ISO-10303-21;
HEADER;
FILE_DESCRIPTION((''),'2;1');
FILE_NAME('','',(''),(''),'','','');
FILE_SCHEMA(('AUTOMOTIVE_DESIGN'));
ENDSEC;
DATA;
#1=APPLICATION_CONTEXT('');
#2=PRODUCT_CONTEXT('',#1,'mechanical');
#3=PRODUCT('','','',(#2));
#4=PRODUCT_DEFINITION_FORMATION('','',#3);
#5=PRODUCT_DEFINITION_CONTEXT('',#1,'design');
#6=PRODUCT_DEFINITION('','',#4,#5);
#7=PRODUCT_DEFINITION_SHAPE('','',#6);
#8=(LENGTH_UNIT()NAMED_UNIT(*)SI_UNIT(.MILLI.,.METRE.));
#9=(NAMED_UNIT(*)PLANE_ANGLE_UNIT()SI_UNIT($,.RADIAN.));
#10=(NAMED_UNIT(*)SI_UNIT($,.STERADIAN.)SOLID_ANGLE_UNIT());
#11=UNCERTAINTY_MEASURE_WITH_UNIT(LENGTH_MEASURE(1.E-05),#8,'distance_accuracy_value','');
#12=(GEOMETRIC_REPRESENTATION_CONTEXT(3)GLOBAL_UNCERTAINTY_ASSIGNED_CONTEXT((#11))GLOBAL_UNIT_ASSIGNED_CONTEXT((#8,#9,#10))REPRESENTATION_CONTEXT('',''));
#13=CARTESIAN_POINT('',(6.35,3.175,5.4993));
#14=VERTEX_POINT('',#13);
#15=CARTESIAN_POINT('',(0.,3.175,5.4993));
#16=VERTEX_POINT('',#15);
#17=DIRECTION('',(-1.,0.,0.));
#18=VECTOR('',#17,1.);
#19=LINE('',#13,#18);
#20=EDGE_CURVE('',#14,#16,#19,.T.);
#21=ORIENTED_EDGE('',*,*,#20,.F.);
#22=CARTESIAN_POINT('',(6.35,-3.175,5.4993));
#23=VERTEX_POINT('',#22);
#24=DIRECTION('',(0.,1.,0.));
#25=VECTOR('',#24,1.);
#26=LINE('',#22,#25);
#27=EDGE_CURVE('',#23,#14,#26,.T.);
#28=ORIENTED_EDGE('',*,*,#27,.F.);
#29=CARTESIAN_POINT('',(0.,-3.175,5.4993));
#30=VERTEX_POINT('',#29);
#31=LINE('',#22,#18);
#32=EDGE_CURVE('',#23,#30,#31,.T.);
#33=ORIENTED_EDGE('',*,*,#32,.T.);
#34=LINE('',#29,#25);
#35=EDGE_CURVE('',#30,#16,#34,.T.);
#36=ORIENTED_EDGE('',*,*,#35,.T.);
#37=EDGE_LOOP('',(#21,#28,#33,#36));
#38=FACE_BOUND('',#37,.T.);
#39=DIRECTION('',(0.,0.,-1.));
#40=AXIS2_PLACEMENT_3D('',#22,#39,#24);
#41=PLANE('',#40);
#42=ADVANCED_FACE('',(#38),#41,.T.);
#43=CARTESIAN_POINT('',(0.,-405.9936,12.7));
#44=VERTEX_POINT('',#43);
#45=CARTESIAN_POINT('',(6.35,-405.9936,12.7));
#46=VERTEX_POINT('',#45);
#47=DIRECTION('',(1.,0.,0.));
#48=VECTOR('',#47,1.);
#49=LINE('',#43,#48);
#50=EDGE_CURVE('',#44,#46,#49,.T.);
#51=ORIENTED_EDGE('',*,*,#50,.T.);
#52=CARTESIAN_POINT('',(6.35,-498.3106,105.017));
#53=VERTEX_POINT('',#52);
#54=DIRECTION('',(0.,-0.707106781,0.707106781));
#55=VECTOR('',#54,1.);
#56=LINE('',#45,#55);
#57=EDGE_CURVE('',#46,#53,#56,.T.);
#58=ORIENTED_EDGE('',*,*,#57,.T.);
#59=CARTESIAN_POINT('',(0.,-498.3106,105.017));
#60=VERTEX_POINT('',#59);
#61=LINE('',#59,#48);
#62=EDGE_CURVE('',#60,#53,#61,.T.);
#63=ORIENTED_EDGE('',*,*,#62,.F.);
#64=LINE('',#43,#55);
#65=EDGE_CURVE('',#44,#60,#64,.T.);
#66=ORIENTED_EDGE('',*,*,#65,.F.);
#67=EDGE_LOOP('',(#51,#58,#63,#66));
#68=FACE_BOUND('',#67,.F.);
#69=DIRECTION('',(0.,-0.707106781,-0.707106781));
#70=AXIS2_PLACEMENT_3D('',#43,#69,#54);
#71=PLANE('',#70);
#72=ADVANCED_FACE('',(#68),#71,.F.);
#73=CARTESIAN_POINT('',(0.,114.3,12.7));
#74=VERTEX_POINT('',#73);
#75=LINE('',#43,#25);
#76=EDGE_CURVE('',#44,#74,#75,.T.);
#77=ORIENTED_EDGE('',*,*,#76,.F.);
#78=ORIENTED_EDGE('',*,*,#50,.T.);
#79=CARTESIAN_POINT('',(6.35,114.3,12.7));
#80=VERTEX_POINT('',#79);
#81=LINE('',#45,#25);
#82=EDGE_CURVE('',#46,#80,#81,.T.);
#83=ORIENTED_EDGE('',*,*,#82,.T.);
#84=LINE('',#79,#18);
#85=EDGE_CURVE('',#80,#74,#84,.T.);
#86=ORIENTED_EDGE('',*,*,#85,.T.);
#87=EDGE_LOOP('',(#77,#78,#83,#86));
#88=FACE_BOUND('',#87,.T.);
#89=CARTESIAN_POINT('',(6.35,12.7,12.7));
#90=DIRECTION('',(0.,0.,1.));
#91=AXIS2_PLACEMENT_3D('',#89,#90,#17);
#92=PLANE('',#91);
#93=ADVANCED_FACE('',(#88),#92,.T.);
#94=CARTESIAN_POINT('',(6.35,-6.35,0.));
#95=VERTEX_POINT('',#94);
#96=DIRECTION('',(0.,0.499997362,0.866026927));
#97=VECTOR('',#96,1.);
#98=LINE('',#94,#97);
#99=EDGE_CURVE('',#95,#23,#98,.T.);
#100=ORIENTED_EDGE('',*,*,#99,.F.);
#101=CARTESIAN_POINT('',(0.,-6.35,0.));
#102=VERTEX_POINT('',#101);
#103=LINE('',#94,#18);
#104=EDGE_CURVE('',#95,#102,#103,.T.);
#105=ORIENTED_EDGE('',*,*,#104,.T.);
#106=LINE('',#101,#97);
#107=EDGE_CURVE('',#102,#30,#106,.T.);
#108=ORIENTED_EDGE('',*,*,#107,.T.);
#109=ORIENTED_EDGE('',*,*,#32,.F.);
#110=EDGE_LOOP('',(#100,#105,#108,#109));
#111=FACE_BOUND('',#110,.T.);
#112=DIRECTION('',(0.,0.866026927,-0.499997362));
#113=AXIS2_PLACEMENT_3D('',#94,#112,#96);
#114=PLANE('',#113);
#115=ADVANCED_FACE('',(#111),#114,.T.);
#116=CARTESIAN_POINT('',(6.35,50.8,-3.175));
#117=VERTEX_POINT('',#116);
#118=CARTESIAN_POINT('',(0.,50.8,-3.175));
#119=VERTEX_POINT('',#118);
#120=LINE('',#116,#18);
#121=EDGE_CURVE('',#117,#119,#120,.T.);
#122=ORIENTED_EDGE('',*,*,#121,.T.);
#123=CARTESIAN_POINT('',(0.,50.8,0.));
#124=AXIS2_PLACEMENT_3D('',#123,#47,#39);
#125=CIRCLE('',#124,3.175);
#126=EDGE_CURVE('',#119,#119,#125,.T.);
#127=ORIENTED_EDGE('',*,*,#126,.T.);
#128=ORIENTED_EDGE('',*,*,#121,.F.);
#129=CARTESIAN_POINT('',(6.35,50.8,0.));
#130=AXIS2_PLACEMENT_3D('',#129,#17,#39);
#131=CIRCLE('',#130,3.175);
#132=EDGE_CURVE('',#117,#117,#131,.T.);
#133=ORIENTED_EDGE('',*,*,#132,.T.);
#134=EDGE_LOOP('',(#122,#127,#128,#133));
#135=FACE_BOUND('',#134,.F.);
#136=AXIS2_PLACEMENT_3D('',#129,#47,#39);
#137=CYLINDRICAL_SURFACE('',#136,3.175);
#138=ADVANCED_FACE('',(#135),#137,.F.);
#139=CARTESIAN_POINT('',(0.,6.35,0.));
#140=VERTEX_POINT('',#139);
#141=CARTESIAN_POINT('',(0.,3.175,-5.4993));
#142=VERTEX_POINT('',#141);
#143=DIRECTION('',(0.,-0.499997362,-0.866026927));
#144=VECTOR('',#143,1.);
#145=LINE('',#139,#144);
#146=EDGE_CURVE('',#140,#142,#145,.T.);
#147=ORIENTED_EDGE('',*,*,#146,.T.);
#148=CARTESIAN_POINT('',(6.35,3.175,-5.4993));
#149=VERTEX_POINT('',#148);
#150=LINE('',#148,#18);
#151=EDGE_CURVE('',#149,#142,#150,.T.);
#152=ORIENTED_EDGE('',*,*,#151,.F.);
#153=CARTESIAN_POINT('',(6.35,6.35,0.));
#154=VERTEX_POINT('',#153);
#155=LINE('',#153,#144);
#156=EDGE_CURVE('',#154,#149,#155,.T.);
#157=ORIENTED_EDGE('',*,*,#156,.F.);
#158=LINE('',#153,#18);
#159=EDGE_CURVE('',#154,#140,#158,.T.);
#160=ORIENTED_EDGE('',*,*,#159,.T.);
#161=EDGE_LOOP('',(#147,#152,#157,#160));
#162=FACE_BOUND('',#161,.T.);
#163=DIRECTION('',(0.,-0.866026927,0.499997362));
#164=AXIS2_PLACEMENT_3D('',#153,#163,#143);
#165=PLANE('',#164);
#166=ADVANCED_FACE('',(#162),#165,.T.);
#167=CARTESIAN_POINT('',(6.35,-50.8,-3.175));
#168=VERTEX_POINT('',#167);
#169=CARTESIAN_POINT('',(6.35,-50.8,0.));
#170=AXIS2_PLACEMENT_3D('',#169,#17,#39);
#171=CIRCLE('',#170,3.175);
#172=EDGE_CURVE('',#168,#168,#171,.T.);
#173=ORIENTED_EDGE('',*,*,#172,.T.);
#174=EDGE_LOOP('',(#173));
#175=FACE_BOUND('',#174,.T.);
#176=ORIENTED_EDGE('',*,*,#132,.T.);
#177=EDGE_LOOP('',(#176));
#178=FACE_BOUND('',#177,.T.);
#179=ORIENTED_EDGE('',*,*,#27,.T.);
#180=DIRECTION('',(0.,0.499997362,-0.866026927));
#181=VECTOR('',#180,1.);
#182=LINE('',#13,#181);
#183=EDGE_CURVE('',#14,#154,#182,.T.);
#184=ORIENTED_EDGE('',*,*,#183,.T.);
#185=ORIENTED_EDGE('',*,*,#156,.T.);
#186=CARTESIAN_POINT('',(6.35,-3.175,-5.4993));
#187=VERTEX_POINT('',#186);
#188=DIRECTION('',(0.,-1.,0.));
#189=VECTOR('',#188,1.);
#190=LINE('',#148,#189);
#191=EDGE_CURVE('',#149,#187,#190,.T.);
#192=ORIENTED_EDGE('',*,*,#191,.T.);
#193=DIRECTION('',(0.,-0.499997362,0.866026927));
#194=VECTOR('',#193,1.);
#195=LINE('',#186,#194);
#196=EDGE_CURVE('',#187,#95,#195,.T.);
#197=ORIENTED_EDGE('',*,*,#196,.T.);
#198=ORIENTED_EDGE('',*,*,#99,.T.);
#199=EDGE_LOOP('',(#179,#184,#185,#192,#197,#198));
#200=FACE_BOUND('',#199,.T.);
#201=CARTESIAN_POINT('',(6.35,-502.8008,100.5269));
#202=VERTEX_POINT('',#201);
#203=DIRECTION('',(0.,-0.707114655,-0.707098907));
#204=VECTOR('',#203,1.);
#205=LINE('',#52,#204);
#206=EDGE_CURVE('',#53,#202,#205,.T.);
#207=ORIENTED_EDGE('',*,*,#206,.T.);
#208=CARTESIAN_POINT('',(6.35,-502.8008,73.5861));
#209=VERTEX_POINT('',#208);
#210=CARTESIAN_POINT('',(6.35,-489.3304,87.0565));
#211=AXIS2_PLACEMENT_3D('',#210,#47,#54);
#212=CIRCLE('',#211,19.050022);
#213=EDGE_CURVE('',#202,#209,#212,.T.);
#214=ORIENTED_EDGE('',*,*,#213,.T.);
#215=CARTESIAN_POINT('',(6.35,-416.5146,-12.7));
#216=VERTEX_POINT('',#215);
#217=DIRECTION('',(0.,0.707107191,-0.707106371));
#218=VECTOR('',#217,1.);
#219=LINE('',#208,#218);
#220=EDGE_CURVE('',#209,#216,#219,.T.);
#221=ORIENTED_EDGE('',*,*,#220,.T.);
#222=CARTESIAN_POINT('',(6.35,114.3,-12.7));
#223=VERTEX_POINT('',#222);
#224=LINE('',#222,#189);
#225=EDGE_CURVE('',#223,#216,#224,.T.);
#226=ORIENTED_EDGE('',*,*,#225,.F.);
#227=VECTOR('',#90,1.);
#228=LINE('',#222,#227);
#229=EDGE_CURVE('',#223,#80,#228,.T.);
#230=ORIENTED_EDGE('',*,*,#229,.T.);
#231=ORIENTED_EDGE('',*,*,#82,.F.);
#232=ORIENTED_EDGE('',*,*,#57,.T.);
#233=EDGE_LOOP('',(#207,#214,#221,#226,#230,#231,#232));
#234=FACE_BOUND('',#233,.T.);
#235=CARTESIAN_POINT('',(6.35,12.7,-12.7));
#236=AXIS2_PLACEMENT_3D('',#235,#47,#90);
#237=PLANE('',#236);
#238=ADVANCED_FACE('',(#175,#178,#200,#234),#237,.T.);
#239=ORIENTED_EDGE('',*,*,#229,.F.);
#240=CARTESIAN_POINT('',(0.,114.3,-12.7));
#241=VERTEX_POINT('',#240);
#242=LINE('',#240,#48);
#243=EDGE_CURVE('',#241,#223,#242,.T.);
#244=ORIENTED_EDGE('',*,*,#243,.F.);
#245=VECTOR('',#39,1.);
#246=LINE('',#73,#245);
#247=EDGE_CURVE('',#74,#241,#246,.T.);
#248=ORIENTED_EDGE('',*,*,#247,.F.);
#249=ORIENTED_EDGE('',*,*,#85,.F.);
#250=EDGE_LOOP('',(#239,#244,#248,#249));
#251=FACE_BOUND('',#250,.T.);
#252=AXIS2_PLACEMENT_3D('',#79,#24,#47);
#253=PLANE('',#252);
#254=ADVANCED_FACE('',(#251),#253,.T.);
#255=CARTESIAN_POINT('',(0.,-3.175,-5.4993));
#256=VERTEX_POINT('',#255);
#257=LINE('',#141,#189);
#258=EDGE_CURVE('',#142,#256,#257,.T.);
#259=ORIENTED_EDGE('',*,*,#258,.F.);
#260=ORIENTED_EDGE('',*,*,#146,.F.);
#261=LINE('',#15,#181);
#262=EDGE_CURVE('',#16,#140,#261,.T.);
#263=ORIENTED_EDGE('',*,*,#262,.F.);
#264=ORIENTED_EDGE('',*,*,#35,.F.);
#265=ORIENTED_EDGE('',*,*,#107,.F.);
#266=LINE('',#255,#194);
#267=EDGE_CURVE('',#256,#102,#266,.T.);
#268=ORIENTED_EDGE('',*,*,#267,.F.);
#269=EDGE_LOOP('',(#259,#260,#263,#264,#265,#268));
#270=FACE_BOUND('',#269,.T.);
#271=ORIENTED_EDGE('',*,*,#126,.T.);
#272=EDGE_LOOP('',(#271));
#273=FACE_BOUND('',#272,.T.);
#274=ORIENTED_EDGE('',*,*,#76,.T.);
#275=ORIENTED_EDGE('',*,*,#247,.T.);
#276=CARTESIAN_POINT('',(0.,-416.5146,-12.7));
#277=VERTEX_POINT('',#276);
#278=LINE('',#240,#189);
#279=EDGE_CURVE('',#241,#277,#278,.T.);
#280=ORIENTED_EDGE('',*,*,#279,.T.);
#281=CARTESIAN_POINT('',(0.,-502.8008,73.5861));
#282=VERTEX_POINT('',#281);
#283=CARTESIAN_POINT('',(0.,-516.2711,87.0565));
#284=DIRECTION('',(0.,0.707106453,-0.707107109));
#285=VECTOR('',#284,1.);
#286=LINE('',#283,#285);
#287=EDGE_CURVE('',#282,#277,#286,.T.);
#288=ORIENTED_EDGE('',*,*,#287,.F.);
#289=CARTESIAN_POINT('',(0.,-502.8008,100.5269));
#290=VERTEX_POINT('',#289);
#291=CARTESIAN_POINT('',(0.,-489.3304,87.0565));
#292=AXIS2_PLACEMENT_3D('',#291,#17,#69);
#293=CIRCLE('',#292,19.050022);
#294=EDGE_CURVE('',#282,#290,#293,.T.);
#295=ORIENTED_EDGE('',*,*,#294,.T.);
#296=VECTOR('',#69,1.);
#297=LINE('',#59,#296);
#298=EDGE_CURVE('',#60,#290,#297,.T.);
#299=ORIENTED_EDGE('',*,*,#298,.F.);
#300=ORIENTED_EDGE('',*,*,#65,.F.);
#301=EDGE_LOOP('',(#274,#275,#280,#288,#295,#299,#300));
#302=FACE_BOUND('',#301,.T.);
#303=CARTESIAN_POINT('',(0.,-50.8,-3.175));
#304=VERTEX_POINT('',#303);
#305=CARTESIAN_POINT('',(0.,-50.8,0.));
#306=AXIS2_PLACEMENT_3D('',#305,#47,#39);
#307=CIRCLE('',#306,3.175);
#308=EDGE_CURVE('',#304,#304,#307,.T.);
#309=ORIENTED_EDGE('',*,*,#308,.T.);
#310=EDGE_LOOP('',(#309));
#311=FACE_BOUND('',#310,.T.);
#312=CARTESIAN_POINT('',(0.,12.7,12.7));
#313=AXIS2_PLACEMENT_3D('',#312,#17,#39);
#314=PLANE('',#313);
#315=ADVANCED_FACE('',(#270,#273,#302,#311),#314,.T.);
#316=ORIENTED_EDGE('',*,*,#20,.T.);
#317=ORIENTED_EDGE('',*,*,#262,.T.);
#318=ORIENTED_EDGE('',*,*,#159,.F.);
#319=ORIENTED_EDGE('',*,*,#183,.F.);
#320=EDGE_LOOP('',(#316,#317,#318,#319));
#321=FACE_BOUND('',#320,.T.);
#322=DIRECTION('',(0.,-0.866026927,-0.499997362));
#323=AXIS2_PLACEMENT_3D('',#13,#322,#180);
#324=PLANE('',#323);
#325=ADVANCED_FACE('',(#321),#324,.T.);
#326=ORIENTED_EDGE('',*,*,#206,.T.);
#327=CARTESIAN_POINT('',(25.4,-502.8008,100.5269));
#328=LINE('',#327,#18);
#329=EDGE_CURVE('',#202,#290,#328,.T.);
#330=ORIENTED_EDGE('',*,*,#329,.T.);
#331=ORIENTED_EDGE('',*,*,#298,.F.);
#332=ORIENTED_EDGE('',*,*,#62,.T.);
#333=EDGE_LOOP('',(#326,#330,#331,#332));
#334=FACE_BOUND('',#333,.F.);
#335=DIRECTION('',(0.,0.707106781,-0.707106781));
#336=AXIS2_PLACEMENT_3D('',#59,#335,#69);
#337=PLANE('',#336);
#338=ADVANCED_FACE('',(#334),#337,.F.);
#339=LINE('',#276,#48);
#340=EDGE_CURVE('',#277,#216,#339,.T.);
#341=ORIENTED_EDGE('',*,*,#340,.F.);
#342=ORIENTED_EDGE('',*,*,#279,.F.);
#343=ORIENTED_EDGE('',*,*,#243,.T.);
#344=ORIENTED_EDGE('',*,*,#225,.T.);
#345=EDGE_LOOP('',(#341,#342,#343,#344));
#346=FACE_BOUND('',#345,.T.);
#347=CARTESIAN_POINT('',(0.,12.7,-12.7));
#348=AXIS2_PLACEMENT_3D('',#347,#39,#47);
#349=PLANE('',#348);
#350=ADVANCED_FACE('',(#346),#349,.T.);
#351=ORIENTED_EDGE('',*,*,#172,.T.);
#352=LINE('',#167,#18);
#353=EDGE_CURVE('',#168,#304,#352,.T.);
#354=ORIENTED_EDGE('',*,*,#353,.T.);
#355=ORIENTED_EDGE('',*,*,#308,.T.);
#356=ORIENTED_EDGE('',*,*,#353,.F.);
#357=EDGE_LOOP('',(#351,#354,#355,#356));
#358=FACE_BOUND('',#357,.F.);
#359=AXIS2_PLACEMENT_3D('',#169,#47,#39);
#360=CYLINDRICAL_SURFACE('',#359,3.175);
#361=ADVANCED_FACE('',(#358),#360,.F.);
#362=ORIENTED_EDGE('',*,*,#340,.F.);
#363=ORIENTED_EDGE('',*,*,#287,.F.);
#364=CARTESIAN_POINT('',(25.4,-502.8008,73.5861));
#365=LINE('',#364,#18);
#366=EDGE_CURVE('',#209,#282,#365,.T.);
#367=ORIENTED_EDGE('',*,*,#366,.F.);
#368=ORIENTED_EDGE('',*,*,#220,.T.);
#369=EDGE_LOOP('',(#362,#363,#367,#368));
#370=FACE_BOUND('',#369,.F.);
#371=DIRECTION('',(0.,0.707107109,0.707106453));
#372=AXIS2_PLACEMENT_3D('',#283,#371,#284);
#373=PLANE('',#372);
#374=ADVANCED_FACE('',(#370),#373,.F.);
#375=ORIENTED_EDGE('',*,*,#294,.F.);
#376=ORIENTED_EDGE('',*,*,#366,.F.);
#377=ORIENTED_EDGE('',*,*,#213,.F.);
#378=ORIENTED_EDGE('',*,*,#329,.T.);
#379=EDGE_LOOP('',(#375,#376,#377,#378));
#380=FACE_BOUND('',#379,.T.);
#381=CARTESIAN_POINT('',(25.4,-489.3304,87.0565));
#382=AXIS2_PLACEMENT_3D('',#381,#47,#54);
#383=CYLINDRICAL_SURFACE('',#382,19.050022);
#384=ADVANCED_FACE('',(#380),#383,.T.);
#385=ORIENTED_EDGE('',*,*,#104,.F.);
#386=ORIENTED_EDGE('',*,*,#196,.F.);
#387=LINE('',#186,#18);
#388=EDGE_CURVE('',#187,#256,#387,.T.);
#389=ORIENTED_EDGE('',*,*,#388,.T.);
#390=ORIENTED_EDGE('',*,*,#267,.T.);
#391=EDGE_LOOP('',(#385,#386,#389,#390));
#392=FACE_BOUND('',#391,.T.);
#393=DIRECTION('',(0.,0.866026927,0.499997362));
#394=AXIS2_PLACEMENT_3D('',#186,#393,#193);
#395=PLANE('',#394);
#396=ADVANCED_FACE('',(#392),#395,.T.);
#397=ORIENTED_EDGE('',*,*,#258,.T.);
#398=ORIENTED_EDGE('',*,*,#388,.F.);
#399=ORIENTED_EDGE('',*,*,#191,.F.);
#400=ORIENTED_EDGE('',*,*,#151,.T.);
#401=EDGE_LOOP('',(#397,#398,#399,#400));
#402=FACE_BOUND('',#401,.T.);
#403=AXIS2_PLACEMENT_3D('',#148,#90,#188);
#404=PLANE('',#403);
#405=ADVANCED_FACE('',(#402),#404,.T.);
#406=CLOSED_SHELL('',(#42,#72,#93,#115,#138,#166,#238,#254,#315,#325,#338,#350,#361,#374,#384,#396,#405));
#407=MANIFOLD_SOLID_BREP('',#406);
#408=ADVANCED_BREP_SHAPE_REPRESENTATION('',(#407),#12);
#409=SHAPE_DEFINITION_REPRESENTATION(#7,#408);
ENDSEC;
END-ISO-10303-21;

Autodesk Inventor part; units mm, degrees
ref_plane "YZ Plane" through (0, 0, 0) normal (1, 0, 0) x (0, 1, 0)
ref_plane "XZ Plane" through (0, 0, 0) normal (0, 1, 0) x (-1, 0, 0)
ref_plane "XY Plane" through (0, 0, 0) normal (0, 0, 1) x (1, 0, 0)
sketch "Sketch1" plane through (0, 0, 0) normal (1, 0, 0) x (0, 1, 0)
  circle A0 centre (0, 0) radius 3.175
  line L0 (0, 0) -> (12.7, 0)
  line L1 (0, 0) -> (12.7, 0) construction
  line L2 (12.7, 0) -> (12.7, -12.7)
  line L3 (12.7, -12.7) -> (-405.9936, -12.7)
  line L4 (-405.9936, -12.7) -> (-405.9936, 12.7)
  line L5 (-405.9936, 12.7) -> (12.7, 12.7)
  line L6 (12.7, 12.7) -> (12.7, -12.7)
  line L7 (-405.9936, 12.7) -> (-498.3106, 105.017)
  line L8 (-405.9936, 12.7) -> (-275.4376, 12.7) construction
  line L9 (-498.3106, 105.017) -> (-516.2711, 87.0565)
  line L10 (-516.2711, 87.0565) -> (-408.5081, -20.7066)
  line L11 (-405.9936, -12.7) -> (-431.3936, -12.7)
  line L12 (-405.9936, -12.7) -> (-380.5936, -12.7) construction
  line L13 (-516.2711, 87.0565) -> (-416.5146, -12.7)
  line L14 (-416.5146, -12.7) -> (12.7, -12.7)
  dimension "d0" = 6.35
  dimension "d1" = 12.7
  dimension "d2" = 0
  dimension "d3" = 12.7
  dimension "d4" = 90
  dimension "d5" = 418.6936
  dimension "d6" = 25.4
  dimension "d7" = 130.556
  dimension "d8" = 135
  dimension "d9" = 25.4
  dimension "d10" = 90
  dimension "d11" = 152.4
  dimension "d12" = 90
  dimension "d13" = 25.4
  dimension "d14" = 180
extrude "Extrusion1" add sketch "Sketch1" along normal blind 25.4
sketch "Sketch2" plane through (25.4, 0, 0) normal (1, 0, 0) x (0, 0, -1)
  line L0 (-105.017, -498.3106) -> (-87.0565, -516.2711) projected
  line L1 (-87.0565, -516.2711) -> (12.7, -416.5146) projected
  line L2 (-12.7, 12.7) -> (-12.7, -405.9936) projected
  line L3 (-96.0368, -507.2909) -> (-78.0763, -507.2909)
  line L4 (-105.017, -498.3106) -> (-100.5269, -502.8008)
  line L5 (-100.5269, -502.8008) -> (-73.5861, -502.8008)
  arc A0 (-100.5269, -502.8008) -> (-73.5861, -502.8008) centre (-87.0565, -489.3304) ccw
  dimension "d17" = 6.35
  dimension "d18" = 19.05
extrude "Extrusion2" cut sketch "Sketch2" against normal blind 25.4 contours A0 L3 L0 | L3 A0 L1 L0 | L1 L3 A0
sketch "Sketch3" plane through (0, 12.7, 12.7) normal (0, 1, 0) x (1, 0, 0)
  line L0 (0, 25.4) -> (0, 0) projected
  line L1 (0, 0) -> (25.4, 0) projected
  line L2 (25.4, 25.4) -> (25.4, 0) projected
  line L3 (0, 25.4) -> (25.4, 25.4) projected
  point P0 (0, 12.7)
extrude "Extrusion3" add sketch "Sketch3" along normal blind 127
sketch "Sketch4" plane through (25.4, 0, 0) normal (1, 0, 0) x (0, 0, -1)
  arc A0 (-100.5269, -502.8008) -> (-73.5861, -502.8008) centre (-87.0565, -489.3304) ccw projected
  line L0 (-73.5861, -502.8008) -> (12.7, -416.5146) projected
  line L1 (12.7, -416.5146) -> (12.7, 139.7) projected
  line L2 (-12.7, 139.7) -> (12.7, 139.7) projected
  line L3 (-12.7, -405.9936) -> (-12.7, 139.7) projected
  line L4 (-12.7, -405.9936) -> (-105.017, -498.3106) projected
  line L5 (-105.017, -498.3106) -> (-100.5269, -502.8008) projected
  circle A1 centre (0, 0) radius 3.175 projected
extrude "Extrusion4" cut sketch "Sketch4" against normal blind 19.05
sketch "Sketch5" plane through (6.35, 0, 0) normal (1, 0, 0) x (0, 0, -1)
  line L0 (-12.7, 139.7) -> (12.7, 139.7)
  line L1 (12.7, 139.7) -> (12.7, 12.7)
  line L2 (12.7, 12.7) -> (-12.7, 12.7)
  line L3 (-12.7, 12.7) -> (-12.7, 139.7)
  dimension "d25" = 25.4
  dimension "d26" = 127
extrude "Extrusion5" cut sketch "Sketch5" against normal blind 127
sketch "Sketch8" plane through (6.35, 12.7, 12.7) normal (0, 1, 0) x (1, 0, 0)
  line L0 (-6.35, 0) -> (-6.35, 25.4) projected
  line L1 (0, 0) -> (-6.35, 0) projected
  line L2 (0, 25.4) -> (0, 0) projected
  line L3 (-6.35, 25.4) -> (0, 25.4) projected
  point P0 (-6.35, 12.7)
extrude "Extrusion8" add sketch "Sketch8" along normal blind 101.6
sketch "Sketch9" plane through (6.35, 0, 0) normal (1, 0, 0) x (0, 0, -1)
  circle A0 centre (0, 0) radius 3.175 projected
  circle A1 centre (0, 0) radius 6.35
  dimension "d45" = 12.7
extrude "Extrusion9" cut sketch "Sketch9" against normal blind 25.4
sketch "Sketch10" plane through (6.35, 0, 0) normal (1, 0, 0) x (0, 0, -1)
  circle A0 centre (0, 0) radius 6.35 projected
  line L0 (0, 6.35) -> (5.4993, 3.175)
  line L1 (5.4993, 3.175) -> (5.4993, -3.175)
  line L2 (5.4993, -3.175) -> (0, -6.35)
  line L3 (0, -6.35) -> (-5.4993, -3.175)
  line L4 (-5.4993, -3.175) -> (-5.4993, 3.175)
  line L5 (-5.4993, 3.175) -> (0, 6.35)
extrude "Extrusion11" add sketch "Sketch10" against normal blind 6.35 contours A0 L1 | L0 A0 | A0 L2 | L5 A0 | A0 L3 | L4 A0
sketch "Sketch11" plane through (6.35, 0, 0) normal (1, 0, 0) x (0, 0, -1)
  line L0 (12.7, 114.3) -> (12.7, -416.5146) projected
  line L1 (-12.7, 114.3) -> (12.7, 114.3) projected
  line L2 (0, 114.3) -> (0, 50.8)
  line L3 (0, 114.3) -> (63.5, 114.3) construction
  line L4 (0, 50.8) -> (0, -50.8)
  line L5 (0, 50.8) -> (101.6, 50.8) construction
  circle A0 centre (0, 50.8) radius 3.175
  circle A1 centre (0, -50.8) radius 3.175
  point P0 (0, 0)
  dimension "d54" = 63.5
  dimension "d55" = 90
  dimension "d56" = 101.6
  dimension "d57" = 90
  dimension "d58" = 6.35
  dimension "d59" = 6.35
extrude "Extrusion12" cut sketch "Sketch11" against normal blind 6.35
properties part number "FlatArm"
